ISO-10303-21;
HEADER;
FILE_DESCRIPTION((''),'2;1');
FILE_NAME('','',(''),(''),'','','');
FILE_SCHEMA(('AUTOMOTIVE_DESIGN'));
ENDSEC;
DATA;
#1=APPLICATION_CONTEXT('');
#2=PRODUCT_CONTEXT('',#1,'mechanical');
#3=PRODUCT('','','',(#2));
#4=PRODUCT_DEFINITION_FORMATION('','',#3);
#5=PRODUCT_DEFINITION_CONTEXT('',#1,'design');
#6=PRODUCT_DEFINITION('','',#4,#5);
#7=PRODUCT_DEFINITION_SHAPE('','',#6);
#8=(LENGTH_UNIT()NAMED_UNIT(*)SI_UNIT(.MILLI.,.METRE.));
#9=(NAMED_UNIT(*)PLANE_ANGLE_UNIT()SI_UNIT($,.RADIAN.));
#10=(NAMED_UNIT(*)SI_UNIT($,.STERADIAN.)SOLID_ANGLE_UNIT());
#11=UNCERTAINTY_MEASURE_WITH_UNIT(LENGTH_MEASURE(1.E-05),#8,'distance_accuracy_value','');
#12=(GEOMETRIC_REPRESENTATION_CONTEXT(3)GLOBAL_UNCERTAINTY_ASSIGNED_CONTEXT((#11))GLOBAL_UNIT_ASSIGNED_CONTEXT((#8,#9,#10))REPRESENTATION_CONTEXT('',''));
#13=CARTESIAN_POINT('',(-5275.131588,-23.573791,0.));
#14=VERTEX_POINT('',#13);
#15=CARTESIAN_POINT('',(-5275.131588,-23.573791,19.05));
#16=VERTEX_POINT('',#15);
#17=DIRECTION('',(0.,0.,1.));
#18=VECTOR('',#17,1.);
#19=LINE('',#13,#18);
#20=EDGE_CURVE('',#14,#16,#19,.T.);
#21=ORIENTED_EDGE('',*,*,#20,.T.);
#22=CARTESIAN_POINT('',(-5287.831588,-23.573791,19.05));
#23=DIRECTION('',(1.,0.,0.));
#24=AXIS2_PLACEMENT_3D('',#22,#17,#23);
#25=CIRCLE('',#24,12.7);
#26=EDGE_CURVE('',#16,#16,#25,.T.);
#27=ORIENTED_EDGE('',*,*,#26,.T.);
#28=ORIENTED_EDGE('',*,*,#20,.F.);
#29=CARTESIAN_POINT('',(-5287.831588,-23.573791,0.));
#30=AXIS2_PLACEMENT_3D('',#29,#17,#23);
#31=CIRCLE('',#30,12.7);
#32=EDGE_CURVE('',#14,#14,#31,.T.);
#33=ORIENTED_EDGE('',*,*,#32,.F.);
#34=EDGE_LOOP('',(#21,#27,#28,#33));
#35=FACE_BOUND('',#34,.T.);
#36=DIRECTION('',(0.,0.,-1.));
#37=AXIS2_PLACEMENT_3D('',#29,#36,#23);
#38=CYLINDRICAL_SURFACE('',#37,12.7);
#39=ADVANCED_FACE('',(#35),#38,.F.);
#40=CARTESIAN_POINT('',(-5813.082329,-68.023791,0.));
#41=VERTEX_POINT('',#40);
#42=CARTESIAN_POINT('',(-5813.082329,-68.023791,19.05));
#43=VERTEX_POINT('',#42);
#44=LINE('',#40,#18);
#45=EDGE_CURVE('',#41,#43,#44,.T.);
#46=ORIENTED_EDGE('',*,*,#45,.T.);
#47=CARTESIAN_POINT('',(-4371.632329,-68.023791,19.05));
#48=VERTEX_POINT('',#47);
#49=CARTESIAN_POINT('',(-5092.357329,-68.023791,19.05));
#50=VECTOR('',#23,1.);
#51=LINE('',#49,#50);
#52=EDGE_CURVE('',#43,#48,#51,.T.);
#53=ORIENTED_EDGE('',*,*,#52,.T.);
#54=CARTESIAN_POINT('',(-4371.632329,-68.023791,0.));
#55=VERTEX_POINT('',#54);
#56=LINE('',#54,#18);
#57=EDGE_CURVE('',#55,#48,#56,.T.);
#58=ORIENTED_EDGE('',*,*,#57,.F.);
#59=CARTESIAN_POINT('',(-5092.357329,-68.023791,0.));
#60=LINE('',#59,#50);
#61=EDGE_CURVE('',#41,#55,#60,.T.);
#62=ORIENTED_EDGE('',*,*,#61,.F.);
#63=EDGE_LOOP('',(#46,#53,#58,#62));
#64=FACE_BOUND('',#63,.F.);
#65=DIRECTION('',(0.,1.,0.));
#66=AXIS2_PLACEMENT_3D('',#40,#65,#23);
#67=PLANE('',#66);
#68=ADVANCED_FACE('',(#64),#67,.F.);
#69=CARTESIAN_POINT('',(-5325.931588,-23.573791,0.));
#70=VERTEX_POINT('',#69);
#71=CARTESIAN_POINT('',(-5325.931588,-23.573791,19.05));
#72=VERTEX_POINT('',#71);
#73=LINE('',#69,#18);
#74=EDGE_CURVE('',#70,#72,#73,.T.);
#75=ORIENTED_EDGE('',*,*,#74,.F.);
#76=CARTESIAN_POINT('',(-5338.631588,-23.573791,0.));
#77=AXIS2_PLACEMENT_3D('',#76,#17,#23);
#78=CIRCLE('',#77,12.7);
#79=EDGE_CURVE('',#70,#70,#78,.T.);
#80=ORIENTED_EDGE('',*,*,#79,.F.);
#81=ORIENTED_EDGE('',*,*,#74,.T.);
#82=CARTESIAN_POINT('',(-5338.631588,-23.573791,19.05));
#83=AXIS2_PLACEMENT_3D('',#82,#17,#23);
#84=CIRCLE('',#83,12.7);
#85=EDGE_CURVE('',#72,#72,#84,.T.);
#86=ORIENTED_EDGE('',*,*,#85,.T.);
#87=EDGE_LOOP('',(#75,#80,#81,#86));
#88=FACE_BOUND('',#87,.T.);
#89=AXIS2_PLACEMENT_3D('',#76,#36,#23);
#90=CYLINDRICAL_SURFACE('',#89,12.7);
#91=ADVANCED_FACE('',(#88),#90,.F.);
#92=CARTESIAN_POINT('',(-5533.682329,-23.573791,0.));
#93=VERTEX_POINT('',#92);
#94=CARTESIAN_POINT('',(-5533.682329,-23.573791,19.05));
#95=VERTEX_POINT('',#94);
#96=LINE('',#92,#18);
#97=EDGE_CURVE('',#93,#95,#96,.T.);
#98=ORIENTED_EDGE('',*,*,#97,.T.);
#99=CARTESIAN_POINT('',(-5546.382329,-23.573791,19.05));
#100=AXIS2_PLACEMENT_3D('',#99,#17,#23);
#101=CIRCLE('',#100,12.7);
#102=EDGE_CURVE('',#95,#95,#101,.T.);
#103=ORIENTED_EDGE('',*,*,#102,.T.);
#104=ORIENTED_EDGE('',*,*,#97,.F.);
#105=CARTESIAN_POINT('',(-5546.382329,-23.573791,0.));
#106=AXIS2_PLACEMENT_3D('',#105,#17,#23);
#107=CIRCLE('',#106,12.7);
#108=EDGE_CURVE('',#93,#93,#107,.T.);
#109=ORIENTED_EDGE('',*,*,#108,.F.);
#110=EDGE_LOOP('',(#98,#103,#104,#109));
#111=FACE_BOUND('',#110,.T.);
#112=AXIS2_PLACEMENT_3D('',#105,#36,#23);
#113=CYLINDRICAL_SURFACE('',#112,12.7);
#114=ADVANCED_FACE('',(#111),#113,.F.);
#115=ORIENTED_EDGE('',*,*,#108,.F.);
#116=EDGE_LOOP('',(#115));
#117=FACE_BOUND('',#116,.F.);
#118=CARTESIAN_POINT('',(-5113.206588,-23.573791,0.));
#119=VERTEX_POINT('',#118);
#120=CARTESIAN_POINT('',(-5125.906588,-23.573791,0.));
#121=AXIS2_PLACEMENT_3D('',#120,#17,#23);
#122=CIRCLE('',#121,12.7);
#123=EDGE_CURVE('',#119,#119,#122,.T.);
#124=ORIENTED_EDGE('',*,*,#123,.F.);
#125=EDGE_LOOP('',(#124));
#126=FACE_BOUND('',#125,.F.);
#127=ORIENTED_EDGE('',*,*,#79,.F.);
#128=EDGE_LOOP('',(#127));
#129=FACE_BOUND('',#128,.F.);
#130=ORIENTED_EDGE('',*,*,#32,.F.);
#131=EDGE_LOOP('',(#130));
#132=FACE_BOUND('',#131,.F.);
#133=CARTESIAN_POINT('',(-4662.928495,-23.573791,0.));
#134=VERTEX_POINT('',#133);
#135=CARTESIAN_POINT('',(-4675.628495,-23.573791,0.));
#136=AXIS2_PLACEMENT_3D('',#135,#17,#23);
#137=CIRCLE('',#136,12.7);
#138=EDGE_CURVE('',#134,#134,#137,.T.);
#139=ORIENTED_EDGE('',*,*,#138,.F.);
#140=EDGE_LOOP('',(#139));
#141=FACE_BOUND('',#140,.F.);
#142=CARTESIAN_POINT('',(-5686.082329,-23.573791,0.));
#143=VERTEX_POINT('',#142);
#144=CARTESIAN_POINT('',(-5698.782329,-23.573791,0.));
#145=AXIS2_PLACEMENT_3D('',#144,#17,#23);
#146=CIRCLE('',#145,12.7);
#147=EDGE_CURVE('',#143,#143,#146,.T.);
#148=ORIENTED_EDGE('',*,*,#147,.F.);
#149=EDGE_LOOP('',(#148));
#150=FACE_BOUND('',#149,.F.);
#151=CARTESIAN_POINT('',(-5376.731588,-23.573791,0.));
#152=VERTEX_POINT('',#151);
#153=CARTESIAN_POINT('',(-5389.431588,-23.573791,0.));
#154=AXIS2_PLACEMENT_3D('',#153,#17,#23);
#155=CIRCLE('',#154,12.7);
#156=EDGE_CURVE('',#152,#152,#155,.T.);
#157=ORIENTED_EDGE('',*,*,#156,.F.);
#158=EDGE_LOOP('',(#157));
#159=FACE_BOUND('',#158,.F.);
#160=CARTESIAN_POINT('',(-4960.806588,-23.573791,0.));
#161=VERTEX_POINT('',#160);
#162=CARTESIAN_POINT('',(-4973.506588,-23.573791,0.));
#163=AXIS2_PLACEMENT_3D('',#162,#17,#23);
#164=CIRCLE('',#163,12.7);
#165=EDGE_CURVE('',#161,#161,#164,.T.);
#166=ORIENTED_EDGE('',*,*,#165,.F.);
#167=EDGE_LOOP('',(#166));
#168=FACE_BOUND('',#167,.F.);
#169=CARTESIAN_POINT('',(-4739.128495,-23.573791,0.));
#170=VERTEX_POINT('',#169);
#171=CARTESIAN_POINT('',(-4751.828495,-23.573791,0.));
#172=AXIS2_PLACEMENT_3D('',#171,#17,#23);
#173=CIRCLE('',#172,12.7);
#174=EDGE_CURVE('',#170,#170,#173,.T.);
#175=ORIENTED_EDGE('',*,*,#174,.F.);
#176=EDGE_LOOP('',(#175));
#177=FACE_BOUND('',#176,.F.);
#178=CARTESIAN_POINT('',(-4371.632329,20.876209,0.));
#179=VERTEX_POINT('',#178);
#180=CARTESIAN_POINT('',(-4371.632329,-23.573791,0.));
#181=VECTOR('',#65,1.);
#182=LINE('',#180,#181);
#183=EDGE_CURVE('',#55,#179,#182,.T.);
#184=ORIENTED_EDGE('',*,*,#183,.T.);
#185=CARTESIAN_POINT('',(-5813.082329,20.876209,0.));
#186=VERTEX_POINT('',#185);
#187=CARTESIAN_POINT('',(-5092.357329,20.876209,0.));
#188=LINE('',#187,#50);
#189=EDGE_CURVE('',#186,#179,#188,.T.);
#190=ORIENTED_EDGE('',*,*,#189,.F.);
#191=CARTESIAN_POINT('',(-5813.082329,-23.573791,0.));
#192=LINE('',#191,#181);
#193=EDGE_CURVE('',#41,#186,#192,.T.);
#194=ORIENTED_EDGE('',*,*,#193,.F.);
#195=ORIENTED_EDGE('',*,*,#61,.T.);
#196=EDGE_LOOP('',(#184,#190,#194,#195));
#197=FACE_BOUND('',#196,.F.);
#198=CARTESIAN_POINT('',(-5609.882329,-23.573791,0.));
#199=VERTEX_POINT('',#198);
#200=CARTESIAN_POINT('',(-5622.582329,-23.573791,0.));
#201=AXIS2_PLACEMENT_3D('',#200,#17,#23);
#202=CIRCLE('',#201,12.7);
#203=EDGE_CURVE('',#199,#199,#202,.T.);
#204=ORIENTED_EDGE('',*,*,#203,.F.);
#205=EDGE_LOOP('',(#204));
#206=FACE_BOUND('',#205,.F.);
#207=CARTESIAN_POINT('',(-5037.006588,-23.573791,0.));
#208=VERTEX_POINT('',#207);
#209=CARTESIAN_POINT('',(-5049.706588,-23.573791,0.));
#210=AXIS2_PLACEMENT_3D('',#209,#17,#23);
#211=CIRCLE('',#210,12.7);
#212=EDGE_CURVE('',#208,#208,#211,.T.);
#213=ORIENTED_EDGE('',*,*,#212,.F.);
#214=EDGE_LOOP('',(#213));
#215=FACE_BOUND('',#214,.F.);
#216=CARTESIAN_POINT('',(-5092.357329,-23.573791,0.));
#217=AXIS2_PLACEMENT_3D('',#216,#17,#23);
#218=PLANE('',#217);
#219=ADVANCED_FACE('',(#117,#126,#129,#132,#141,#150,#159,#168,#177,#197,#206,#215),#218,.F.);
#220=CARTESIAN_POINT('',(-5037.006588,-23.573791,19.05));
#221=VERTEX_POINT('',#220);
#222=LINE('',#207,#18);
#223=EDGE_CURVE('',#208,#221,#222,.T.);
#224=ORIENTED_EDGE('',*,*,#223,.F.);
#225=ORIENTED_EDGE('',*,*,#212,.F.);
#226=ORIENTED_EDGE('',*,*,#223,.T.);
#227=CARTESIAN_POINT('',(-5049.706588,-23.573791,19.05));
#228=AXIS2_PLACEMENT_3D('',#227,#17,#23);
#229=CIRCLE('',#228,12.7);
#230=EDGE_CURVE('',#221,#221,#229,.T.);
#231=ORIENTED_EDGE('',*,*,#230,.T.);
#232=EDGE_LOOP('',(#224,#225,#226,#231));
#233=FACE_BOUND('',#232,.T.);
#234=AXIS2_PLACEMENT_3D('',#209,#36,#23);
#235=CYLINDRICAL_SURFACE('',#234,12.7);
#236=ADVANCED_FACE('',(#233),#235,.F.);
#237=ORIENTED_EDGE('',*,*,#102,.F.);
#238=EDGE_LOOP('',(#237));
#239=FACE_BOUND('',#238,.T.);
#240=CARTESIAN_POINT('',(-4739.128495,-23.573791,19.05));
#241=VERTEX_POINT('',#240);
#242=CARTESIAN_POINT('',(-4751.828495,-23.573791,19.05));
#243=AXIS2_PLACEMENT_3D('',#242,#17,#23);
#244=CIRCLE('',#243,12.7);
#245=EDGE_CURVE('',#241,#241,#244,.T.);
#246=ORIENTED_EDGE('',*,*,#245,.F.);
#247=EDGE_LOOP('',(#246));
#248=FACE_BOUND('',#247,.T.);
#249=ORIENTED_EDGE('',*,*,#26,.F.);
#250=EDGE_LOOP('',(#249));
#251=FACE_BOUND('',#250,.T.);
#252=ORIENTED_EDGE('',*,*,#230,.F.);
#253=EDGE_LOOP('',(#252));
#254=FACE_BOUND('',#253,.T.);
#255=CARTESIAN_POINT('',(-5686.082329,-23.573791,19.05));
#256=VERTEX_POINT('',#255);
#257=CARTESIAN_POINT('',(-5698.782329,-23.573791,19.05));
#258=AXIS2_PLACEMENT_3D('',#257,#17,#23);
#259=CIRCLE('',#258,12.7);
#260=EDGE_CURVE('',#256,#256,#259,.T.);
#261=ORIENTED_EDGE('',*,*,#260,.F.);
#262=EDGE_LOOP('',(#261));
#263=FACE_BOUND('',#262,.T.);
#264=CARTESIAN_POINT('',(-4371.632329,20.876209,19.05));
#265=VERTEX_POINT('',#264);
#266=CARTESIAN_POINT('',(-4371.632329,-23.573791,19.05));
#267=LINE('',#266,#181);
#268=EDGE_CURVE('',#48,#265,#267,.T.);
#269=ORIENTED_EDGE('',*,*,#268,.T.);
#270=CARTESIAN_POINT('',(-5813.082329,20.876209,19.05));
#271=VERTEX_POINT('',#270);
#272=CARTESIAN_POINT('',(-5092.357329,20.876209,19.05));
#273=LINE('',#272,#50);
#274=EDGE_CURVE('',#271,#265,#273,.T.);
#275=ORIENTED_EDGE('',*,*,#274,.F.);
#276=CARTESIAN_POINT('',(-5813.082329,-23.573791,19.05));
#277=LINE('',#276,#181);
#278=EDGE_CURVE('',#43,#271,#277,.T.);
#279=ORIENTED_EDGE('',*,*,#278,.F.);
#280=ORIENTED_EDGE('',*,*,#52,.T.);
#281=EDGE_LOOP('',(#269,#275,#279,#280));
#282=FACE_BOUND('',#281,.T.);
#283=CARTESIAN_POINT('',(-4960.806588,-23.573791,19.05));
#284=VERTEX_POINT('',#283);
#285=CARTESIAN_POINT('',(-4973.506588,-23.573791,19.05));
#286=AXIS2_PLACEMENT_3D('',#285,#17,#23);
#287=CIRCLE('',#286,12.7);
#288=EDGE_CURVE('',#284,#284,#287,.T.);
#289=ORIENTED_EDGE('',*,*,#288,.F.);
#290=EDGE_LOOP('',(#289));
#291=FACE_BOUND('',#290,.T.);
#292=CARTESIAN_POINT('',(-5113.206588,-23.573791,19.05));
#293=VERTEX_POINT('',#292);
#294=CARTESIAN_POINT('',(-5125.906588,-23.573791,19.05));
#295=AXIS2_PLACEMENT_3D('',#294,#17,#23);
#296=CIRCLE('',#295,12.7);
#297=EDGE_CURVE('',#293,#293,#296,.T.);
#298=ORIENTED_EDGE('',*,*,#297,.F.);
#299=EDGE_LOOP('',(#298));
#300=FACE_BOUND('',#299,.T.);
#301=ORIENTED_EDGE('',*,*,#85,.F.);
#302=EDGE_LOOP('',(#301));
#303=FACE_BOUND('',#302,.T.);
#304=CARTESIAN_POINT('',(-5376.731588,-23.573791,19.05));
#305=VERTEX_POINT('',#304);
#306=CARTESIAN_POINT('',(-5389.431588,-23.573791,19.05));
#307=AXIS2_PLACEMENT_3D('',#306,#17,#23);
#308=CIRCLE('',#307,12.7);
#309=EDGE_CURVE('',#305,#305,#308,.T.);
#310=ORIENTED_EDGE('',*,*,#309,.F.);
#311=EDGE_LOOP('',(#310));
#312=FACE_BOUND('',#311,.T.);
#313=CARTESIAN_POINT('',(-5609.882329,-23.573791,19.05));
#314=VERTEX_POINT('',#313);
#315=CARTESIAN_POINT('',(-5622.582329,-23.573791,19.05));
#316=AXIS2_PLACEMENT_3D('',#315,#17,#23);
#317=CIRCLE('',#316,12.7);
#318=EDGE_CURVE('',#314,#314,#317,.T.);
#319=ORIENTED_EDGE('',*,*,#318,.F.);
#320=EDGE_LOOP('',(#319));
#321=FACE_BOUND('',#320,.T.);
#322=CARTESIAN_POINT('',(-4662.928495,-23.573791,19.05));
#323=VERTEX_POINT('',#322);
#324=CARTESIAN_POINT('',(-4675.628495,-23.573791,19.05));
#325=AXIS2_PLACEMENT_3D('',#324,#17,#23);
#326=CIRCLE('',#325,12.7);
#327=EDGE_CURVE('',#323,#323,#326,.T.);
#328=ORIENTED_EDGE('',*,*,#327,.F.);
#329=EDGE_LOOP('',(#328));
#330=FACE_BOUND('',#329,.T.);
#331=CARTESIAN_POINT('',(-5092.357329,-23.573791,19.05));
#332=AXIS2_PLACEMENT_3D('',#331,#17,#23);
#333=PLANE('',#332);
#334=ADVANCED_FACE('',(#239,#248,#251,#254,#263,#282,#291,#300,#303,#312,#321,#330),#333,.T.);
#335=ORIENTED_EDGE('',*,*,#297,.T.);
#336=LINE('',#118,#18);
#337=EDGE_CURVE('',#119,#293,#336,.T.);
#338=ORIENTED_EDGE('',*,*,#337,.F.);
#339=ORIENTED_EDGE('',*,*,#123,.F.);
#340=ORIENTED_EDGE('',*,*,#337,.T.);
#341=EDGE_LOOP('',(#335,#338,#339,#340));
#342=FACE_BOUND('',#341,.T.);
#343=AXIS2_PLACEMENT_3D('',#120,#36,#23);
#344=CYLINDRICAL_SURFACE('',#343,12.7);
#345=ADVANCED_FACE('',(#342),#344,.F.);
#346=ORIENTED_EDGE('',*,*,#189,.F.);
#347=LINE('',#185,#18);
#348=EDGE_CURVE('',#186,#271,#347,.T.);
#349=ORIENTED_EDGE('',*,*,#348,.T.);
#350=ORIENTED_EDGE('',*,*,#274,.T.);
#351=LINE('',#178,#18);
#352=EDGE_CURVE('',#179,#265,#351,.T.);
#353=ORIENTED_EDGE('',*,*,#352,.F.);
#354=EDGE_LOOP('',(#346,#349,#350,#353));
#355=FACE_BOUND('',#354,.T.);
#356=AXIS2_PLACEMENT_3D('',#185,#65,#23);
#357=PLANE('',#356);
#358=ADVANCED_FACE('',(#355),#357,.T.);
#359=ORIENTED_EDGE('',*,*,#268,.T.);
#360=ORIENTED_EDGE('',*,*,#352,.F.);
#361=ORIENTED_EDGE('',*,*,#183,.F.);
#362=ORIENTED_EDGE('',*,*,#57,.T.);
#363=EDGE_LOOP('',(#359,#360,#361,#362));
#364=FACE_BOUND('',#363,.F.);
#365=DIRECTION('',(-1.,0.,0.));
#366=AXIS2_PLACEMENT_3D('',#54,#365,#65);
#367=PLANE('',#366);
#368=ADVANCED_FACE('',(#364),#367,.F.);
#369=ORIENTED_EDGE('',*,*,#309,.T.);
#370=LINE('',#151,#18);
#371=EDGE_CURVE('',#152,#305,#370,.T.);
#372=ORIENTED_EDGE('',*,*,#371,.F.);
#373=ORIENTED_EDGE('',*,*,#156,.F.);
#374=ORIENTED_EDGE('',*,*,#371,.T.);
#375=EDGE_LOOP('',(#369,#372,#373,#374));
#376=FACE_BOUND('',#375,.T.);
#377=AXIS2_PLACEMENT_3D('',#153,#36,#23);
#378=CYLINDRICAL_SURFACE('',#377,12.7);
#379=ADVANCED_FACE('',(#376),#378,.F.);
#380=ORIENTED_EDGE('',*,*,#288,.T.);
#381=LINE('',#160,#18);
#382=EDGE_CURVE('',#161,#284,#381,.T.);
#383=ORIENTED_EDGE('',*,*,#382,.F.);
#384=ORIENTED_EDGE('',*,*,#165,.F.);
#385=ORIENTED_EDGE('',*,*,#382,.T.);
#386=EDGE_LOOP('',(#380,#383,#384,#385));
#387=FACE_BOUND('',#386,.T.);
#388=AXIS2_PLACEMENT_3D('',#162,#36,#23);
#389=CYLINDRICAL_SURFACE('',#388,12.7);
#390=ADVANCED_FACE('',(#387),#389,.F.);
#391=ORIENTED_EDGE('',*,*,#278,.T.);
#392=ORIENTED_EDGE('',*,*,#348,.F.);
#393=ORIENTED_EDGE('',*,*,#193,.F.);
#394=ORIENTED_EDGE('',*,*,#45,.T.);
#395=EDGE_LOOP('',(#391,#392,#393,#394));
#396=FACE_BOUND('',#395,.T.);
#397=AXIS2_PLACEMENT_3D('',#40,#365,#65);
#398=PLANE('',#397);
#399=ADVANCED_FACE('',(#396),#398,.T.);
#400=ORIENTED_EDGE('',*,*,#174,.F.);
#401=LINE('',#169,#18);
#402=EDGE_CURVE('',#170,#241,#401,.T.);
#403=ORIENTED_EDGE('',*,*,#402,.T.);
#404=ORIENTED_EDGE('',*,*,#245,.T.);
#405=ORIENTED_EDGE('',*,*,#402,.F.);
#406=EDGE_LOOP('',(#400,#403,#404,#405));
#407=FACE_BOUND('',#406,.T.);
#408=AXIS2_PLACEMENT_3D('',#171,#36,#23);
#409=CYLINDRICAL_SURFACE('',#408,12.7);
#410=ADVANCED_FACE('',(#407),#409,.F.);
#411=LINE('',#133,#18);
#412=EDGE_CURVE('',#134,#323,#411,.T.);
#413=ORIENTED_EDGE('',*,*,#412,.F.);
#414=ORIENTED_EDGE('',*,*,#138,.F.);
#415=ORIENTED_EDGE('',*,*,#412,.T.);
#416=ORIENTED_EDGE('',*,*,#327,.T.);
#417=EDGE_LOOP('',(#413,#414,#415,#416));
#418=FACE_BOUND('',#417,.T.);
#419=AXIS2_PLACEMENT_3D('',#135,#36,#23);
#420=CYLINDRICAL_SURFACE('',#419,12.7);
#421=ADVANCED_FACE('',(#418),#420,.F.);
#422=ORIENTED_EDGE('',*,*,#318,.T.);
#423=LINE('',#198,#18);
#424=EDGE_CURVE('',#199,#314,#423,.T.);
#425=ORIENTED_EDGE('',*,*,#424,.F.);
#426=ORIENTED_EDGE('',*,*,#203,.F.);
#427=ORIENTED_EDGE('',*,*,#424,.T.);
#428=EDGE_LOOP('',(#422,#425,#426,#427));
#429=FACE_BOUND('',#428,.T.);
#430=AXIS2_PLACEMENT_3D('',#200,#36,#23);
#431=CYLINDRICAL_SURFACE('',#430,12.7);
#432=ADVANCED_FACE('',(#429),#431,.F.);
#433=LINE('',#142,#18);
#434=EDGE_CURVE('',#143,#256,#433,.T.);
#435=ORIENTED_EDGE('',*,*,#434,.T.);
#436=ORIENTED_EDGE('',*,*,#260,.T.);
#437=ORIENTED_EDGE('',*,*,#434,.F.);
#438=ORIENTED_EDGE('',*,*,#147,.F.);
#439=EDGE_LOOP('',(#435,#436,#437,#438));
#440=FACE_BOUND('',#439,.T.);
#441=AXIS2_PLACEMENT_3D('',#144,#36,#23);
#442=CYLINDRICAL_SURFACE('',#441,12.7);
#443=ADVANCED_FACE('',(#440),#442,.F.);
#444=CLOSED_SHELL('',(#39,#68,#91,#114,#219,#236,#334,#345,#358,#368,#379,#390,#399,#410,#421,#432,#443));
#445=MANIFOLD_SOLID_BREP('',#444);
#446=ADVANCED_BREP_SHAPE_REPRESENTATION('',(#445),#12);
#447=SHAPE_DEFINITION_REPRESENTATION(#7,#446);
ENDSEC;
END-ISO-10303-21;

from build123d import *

# Parameters (mm, degrees)
F0_W     = 1441.45
F0_H     = 88.9
F0_R     = 12.7
F1_DEPTH = 19.05


with BuildPart() as f1:
    # F0 (on Top) → F1 (new body)
    with BuildSketch(Plane.XY):
        with Locations((-5092.357329, -23.573791)):
            Rectangle(F0_W, F0_H)
        with Locations((-5698.782329, -23.573791)):
            Circle(F0_R, mode=Mode.SUBTRACT)
        with Locations((-5622.582329, -23.573791)):
            Circle(F0_R, mode=Mode.SUBTRACT)
        with Locations((-5546.382329, -23.573791)):
            Circle(F0_R, mode=Mode.SUBTRACT)
        with Locations((-5389.431588, -23.573791)):
            Circle(F0_R, mode=Mode.SUBTRACT)
        with Locations((-5338.631588, -23.573791)):
            Circle(F0_R, mode=Mode.SUBTRACT)
        with Locations((-5287.831588, -23.573791)):
            Circle(F0_R, mode=Mode.SUBTRACT)
        with Locations((-5125.906588, -23.573791)):
            Circle(F0_R, mode=Mode.SUBTRACT)
        with Locations((-5049.706588, -23.573791)):
            Circle(F0_R, mode=Mode.SUBTRACT)
        with Locations((-4973.506588, -23.573791)):
            Circle(F0_R, mode=Mode.SUBTRACT)
        with Locations((-4751.828495, -23.573791)):
            Circle(F0_R, mode=Mode.SUBTRACT)
        with Locations((-4675.628495, -23.573791)):
            Circle(F0_R, mode=Mode.SUBTRACT)
    extrude(amount=F1_DEPTH)


solid = f1.part
